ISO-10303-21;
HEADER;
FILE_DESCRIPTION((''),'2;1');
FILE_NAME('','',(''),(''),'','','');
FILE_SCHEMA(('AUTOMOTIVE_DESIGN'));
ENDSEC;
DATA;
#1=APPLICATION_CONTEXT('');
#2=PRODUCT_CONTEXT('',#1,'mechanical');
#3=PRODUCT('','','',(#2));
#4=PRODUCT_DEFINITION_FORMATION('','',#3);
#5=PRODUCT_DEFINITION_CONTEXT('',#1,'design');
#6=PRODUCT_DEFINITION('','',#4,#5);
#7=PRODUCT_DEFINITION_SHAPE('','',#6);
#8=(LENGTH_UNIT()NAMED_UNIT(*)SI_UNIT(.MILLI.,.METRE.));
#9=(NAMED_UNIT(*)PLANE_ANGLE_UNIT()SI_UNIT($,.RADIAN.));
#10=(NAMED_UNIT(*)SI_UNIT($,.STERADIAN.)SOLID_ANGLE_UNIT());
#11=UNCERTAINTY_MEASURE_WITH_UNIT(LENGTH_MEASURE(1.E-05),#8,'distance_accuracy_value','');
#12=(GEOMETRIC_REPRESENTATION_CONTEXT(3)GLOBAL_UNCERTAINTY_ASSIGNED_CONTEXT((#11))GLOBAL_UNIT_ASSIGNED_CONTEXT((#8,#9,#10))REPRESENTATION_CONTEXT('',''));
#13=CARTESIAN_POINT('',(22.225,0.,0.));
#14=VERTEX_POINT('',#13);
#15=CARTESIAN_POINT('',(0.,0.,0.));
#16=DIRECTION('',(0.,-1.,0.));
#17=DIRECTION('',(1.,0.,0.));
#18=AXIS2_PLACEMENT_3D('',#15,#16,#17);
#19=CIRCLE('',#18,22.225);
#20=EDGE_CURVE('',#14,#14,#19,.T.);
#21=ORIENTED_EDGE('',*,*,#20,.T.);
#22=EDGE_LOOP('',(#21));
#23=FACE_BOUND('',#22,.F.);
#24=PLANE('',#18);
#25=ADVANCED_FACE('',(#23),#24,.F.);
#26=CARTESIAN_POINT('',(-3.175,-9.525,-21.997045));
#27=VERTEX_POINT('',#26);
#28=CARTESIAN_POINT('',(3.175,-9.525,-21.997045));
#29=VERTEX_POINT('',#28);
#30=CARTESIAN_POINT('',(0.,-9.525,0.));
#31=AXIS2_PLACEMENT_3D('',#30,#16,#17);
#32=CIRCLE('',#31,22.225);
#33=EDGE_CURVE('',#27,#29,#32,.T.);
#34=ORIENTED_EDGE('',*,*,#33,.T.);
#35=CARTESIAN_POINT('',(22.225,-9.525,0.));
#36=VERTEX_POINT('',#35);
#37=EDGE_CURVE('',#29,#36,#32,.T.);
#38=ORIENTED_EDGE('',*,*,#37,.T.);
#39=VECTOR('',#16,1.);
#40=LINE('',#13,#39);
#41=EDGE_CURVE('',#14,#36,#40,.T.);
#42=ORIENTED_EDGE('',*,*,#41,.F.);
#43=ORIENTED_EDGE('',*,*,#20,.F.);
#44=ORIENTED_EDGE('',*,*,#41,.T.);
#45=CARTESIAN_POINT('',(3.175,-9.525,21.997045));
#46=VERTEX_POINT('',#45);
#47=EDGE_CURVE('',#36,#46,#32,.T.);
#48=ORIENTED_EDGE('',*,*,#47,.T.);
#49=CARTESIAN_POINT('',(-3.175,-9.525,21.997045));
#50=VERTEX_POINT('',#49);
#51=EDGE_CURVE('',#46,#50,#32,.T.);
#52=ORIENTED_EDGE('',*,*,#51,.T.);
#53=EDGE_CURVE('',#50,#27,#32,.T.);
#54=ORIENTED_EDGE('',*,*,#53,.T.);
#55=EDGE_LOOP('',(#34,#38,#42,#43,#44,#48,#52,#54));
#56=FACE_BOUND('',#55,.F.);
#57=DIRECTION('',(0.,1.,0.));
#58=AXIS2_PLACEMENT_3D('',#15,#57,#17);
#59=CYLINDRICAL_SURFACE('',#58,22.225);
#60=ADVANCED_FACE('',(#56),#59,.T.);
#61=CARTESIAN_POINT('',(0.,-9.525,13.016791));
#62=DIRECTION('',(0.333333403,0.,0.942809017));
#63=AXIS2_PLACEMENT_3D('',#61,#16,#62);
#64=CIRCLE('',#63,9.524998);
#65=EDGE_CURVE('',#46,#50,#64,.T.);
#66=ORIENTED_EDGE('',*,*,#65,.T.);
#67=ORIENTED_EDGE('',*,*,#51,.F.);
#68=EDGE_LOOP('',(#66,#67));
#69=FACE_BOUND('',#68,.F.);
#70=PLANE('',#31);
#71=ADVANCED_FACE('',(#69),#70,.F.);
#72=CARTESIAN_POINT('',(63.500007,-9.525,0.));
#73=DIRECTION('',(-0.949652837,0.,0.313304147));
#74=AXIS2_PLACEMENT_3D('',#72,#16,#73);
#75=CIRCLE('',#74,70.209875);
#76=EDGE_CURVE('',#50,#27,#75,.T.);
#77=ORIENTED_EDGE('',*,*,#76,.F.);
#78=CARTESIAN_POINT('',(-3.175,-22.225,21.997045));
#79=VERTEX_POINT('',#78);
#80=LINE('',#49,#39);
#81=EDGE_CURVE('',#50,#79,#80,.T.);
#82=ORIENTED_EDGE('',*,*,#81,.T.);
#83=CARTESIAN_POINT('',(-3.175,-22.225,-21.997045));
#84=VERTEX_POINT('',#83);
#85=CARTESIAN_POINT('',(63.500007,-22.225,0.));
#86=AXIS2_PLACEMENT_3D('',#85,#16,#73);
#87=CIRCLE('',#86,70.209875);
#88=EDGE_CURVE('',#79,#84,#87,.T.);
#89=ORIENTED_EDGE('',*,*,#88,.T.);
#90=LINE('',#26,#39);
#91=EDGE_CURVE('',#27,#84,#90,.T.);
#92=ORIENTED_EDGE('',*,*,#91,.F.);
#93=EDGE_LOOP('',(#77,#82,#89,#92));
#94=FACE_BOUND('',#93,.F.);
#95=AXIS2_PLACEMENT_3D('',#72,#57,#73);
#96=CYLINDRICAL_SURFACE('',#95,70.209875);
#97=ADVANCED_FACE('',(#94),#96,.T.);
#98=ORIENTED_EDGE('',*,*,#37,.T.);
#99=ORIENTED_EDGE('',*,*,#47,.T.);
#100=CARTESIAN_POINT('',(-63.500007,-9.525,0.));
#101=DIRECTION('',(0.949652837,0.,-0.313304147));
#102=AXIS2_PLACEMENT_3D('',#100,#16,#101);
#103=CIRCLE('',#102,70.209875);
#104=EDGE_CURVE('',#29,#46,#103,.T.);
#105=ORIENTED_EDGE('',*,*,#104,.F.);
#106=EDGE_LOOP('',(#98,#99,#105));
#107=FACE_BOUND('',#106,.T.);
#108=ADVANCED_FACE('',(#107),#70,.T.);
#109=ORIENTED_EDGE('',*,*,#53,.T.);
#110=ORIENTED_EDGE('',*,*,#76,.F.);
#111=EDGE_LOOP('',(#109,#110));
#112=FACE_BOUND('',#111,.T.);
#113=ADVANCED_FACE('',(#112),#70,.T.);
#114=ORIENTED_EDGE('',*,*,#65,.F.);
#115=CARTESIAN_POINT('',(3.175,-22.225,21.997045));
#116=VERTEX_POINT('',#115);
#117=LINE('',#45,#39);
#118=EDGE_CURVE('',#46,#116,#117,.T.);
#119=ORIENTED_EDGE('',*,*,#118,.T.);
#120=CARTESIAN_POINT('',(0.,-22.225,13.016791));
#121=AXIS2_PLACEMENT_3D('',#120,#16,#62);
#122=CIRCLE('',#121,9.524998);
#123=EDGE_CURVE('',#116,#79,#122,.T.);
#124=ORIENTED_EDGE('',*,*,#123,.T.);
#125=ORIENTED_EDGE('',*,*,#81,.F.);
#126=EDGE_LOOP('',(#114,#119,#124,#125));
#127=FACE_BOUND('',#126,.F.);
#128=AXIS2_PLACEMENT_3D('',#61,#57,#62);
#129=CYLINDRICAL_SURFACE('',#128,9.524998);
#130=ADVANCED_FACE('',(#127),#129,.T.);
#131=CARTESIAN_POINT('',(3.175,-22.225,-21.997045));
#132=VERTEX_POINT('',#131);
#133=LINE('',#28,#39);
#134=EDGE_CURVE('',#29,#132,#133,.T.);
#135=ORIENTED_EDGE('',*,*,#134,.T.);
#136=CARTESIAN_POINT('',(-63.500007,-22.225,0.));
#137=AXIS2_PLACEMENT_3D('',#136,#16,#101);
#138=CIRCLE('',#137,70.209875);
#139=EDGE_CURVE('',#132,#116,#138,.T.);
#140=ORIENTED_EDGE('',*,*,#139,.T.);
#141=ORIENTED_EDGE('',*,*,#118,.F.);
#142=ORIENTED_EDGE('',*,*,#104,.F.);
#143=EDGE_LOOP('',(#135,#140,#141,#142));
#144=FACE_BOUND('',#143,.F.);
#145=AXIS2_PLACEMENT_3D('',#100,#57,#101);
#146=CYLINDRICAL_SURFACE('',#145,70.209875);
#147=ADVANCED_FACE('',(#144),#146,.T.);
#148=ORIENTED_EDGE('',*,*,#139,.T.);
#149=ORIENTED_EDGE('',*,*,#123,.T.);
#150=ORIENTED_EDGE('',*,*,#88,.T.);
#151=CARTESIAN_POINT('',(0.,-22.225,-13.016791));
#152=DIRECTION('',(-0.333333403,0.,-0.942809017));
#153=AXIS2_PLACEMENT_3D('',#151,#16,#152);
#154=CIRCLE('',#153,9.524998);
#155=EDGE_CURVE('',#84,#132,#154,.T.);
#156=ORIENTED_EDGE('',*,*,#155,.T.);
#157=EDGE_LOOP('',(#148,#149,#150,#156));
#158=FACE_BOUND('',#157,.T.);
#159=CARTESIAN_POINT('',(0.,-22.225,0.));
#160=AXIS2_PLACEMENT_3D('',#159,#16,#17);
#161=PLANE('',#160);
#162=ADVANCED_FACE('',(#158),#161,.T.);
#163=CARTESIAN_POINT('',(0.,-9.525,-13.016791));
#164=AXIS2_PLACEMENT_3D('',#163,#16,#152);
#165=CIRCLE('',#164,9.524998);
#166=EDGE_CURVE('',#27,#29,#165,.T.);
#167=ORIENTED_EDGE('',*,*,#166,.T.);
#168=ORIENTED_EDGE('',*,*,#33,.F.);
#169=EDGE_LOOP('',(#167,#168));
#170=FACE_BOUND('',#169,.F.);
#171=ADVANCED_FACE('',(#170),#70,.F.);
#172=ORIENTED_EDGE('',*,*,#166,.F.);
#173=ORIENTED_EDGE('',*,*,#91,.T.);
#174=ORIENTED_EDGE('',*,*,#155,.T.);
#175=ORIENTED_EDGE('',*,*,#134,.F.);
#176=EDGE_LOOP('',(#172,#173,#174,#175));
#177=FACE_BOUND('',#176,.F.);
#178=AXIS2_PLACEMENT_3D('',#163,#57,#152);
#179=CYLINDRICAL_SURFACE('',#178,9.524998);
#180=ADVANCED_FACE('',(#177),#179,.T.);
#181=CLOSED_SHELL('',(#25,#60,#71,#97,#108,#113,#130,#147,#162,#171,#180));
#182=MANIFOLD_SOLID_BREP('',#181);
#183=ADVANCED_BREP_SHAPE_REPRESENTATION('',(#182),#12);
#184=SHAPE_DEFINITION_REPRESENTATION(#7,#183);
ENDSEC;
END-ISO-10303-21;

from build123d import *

# Parameters (mm, degrees)
F0_R     = 22.225
F1_DEPTH = 9.525
F3_DEPTH = 12.7


with BuildPart() as f1:
    # F0 (on Front) → F1 (new body)
    with BuildSketch(Plane.XZ):
        Circle(F0_R)
    extrude(amount=F1_DEPTH)

    # F2 (on face) → F3 (join)
    with BuildSketch(Plane.XZ.offset(9.525)):
        with BuildLine():
            ThreePointArc((3.175, 21.997045), (0, 22.541789), (-3.175, 21.997045))
            ThreePointArc((-3.175, 21.997045), (-6.709868, 0), (-3.175, -21.997045))
            ThreePointArc((-3.175, -21.997045), (0, -22.541789), (3.175, -21.997045))
            ThreePointArc((3.175, -21.997045), (6.709868, 0), (3.175, 21.997045))
        make_face()
    extrude(amount=F3_DEPTH)


solid = f1.part
